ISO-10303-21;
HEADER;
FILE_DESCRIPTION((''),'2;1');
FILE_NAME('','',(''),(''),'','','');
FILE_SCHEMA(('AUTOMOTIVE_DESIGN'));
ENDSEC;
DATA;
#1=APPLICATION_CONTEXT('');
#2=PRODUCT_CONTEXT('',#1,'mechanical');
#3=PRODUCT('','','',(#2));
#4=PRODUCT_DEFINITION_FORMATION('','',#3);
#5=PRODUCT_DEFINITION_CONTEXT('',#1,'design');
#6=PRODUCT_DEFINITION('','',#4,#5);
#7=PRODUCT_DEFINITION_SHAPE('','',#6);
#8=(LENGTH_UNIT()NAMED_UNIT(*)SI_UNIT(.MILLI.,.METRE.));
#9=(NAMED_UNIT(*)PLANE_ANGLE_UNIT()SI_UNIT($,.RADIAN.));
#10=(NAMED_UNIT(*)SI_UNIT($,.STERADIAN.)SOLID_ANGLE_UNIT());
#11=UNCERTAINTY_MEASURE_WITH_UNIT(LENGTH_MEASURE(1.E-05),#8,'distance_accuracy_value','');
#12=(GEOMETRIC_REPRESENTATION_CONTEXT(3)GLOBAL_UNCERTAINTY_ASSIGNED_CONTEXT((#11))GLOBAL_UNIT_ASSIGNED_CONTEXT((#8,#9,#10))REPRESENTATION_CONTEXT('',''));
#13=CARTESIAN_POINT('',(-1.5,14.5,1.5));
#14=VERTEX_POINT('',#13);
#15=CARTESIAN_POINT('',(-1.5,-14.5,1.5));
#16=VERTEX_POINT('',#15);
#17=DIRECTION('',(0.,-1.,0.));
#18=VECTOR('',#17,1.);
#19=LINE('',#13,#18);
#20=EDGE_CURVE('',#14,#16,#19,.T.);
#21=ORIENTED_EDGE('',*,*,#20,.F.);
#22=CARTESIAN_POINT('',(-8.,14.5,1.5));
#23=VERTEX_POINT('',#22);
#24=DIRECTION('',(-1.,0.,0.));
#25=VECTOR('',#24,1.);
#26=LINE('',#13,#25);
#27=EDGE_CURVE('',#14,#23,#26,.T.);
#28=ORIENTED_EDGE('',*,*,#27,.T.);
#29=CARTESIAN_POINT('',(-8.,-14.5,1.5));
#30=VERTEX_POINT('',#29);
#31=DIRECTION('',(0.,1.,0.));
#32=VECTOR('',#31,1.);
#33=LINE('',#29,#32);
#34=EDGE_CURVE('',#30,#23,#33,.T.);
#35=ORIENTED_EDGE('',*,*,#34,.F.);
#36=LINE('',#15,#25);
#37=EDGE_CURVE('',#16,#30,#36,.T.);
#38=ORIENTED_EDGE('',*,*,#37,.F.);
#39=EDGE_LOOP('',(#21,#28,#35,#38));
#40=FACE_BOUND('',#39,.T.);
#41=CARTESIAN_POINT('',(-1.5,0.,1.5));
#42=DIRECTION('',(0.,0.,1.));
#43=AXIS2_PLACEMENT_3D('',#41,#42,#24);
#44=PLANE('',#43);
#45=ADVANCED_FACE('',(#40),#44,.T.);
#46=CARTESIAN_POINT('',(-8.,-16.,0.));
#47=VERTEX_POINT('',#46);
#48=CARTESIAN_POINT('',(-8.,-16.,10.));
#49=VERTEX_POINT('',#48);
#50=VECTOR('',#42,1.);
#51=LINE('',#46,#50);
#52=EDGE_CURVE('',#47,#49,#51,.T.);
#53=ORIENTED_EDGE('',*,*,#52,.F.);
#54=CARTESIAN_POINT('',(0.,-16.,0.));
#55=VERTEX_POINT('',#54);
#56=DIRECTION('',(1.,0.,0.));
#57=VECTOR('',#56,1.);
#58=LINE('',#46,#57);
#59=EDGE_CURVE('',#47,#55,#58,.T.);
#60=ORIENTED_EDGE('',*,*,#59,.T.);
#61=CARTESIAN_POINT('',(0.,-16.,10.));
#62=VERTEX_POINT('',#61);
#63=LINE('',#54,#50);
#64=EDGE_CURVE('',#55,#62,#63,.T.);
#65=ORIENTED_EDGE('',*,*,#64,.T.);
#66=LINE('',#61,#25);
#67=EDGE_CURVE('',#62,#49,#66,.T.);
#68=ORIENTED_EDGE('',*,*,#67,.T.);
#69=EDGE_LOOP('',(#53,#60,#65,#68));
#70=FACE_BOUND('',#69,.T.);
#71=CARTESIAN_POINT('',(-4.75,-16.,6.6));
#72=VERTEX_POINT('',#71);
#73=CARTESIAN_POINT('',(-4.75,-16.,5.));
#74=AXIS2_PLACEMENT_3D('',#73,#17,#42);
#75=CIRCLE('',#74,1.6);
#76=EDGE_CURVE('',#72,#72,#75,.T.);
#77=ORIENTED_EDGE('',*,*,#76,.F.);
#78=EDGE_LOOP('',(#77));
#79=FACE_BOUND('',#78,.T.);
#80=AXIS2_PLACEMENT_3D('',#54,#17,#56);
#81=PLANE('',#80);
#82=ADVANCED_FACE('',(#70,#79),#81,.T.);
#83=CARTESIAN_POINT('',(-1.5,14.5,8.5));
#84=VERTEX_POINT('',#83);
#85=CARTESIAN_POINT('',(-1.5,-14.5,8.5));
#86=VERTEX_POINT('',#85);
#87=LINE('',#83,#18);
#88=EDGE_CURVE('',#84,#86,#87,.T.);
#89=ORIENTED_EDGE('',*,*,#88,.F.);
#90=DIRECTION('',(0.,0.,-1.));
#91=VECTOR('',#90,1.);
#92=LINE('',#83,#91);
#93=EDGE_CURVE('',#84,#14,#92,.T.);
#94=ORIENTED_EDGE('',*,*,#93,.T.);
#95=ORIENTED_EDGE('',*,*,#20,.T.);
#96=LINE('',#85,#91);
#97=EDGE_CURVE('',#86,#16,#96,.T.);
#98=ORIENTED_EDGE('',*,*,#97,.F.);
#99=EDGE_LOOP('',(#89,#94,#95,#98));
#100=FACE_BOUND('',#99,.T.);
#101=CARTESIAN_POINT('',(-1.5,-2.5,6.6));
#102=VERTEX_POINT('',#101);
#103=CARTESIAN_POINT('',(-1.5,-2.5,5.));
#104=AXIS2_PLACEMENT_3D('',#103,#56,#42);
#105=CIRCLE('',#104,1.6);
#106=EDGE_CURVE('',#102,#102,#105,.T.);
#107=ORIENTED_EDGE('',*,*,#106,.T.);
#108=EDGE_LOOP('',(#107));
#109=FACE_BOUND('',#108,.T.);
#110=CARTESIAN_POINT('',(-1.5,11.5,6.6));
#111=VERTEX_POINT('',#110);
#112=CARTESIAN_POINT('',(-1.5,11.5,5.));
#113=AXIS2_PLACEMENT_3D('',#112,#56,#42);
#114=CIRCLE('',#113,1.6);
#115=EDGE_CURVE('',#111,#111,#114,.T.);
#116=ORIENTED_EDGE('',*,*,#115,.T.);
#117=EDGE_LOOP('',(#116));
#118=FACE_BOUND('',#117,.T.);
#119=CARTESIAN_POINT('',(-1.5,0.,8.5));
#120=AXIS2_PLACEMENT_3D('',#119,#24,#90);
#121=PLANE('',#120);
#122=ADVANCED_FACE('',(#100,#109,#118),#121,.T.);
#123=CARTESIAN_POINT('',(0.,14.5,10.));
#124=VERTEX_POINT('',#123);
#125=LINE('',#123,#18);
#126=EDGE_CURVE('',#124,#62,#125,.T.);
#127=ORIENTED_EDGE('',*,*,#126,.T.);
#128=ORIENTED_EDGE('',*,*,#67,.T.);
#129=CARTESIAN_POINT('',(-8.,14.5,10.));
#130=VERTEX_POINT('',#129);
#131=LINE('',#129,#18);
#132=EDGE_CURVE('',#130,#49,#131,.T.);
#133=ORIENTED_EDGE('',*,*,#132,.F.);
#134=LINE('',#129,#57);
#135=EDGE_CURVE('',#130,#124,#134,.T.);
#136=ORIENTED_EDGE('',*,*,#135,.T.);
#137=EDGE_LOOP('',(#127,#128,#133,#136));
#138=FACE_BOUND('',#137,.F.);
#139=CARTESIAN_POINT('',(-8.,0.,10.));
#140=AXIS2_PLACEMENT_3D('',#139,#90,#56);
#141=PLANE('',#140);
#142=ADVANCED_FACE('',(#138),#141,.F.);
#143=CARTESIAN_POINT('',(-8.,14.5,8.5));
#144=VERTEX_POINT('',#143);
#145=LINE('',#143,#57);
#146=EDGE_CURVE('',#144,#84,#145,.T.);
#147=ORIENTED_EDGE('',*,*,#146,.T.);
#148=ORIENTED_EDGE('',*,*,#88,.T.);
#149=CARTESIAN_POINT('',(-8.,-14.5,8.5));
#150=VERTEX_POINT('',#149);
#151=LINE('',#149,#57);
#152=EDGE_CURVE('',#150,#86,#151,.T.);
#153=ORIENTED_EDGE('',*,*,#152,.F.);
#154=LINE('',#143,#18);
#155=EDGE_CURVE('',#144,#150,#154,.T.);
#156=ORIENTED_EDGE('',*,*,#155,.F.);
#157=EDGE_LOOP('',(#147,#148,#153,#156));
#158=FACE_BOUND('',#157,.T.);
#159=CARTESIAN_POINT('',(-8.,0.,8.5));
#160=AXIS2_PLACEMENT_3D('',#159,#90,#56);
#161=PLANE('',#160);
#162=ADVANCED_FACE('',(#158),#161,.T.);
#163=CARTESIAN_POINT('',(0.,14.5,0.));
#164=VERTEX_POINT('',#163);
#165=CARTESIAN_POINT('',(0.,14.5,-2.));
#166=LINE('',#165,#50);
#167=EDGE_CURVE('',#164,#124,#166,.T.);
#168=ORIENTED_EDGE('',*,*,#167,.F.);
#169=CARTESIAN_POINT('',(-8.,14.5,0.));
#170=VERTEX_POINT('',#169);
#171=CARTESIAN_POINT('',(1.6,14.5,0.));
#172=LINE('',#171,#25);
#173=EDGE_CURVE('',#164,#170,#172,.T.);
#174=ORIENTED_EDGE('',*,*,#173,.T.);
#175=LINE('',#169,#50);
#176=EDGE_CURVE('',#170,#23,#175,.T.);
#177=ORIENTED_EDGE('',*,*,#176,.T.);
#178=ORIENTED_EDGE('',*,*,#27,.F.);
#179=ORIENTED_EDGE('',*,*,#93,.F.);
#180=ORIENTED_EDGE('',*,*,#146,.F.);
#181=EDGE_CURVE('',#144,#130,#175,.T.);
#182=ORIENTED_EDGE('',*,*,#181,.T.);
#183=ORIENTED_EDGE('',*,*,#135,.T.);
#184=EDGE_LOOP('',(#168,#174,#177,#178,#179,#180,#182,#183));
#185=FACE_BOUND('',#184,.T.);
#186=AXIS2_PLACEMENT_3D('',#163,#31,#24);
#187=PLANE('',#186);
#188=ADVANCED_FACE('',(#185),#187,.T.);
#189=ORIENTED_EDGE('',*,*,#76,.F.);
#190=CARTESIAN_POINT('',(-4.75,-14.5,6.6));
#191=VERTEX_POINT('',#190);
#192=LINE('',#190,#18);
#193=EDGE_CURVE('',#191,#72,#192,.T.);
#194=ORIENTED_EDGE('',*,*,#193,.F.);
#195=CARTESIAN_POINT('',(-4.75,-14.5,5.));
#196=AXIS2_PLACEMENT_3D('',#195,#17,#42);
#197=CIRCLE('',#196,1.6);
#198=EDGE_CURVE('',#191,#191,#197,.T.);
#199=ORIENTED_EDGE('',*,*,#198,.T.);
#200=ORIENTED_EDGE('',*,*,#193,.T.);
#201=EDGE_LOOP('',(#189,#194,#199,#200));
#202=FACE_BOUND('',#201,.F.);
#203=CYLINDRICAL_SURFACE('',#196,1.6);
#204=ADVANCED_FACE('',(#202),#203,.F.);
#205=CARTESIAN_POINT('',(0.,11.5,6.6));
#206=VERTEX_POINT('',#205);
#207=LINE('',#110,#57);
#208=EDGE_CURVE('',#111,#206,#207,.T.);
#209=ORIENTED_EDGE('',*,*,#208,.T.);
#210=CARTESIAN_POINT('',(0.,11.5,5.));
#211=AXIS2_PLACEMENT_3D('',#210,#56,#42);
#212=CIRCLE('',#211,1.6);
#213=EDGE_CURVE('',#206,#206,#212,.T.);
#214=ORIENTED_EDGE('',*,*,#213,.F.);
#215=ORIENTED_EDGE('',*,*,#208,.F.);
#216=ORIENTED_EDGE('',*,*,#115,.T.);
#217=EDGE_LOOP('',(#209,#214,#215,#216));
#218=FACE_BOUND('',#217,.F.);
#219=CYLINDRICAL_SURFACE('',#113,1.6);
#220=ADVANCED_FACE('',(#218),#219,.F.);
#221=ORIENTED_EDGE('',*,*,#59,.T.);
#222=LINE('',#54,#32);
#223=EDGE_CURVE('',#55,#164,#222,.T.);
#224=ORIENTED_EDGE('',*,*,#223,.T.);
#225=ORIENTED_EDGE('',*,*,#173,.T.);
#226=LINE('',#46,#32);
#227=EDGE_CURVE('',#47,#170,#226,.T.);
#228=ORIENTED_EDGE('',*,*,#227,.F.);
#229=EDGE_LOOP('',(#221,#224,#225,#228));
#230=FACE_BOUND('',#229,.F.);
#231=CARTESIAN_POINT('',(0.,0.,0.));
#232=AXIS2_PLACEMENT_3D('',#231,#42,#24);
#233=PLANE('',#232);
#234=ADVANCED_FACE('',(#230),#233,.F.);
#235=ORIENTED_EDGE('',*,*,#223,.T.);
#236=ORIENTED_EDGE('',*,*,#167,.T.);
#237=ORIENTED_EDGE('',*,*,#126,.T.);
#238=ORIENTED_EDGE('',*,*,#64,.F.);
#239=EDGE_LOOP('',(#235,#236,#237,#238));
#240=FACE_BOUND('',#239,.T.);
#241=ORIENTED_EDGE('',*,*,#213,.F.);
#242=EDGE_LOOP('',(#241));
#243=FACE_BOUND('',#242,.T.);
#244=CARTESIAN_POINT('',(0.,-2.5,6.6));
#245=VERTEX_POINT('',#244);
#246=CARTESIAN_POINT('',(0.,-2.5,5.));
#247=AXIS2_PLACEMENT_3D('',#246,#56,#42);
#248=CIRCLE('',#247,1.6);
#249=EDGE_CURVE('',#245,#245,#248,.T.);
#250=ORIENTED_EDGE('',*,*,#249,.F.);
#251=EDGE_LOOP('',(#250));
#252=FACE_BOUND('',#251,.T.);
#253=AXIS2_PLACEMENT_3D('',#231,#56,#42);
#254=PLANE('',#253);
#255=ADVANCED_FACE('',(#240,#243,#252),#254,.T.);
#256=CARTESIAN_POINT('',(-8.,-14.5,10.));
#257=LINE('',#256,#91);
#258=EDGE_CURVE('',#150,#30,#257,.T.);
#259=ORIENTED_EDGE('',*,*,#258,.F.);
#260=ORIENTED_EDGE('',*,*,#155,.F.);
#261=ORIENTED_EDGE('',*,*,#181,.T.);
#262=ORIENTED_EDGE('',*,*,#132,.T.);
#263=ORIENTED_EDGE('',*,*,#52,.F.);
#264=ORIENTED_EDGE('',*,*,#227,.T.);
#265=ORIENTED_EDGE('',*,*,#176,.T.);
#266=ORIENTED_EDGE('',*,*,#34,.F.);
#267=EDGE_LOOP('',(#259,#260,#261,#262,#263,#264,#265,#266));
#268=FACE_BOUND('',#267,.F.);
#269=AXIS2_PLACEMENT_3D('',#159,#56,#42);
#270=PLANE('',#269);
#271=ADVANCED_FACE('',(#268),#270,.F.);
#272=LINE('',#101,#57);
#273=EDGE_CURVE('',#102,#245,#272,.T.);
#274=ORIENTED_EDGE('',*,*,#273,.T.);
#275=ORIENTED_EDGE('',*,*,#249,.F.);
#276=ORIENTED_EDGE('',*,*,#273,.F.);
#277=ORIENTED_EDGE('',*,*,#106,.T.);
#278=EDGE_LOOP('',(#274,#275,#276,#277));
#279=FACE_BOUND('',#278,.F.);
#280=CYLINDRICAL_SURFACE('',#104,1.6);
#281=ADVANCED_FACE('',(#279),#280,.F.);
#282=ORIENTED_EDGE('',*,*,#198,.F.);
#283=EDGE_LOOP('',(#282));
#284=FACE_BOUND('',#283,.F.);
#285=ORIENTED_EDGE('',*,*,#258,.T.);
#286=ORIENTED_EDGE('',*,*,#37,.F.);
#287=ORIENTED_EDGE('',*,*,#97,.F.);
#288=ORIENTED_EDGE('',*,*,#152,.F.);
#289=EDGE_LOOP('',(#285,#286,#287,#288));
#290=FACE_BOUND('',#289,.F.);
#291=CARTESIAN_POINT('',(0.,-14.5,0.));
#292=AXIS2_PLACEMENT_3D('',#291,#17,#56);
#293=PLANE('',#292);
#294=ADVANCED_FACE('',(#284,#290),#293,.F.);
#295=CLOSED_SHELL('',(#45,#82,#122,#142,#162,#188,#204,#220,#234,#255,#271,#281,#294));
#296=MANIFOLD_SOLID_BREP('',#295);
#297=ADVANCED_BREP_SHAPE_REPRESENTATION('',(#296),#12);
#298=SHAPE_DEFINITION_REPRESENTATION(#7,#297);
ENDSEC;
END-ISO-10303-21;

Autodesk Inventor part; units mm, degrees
ref_plane "YZ Plane" through (0, 0, 0) normal (1, 0, 0) x (0, 1, 0)
ref_plane "XZ Plane" through (0, 0, 0) normal (0, 1, 0) x (-1, 0, 0)
ref_plane "XY Plane" through (0, 0, 0) normal (0, 0, 1) x (1, 0, 0)
sketch "Náčrt1" plane through (0, 0, 0) normal (0, 1, 0) x (-1, 0, 0)
  line L0 (0, -2) -> (0, 12) projected
  line L1 (-1.6, 0) -> (9.6, 0) projected
  line L2 (8, 10) -> (0, 10)
  line L3 (0, 10) -> (0, 0)
  line L4 (0, 0) -> (8, 0)
  line L5 (8, 0) -> (8, 10)
  line L6 (8, 8.5) -> (1.5, 8.5)
  line L7 (1.5, 8.5) -> (1.5, 1.5)
  line L8 (1.5, 1.5) -> (8, 1.5)
  line L9 (8, 1.5) -> (8, 8.5)
  point P0 (0, 0)
  point P1 (0, 10)
  dimension "d0" = 8
  dimension "d1" = 10
  dimension "d2" = 6.5
  dimension "d3" = 7
  dimension "d4" = 1.5
extrude "Vysunutí1" add sketch "Náčrt1" along normal mid plane 29 contours L0 L2 L5 L6 L7 L8 L1
sketch "Náčrt2" plane through (0, -14.5, 0) normal (0, -1, 0) x (1, 0, 0)
  line L0 (-8, 8.5) -> (-1.5, 8.5) projected
  line L1 (-1.5, 8.5) -> (-1.5, 1.5) projected
  line L2 (-1.5, 1.5) -> (-8, 1.5) projected
  line L3 (-8, 1.5) -> (-8, 0) projected
  line L4 (-8, 0) -> (0, 0) projected
  line L5 (0, 0) -> (0, 10) projected
  line L6 (0, 10) -> (-8, 10) projected
  line L7 (-8, 10) -> (-8, 8.5) projected
  line L8 (-8, 10) -> (0, 10)
  line L9 (0, 10) -> (0, 0)
  line L10 (0, 0) -> (-8, 0)
  line L11 (-8, 0) -> (-8, 10)
extrude "Vysunutí2" add sketch "Náčrt2" along normal blind 1.5
sketch "Náčrt3" plane through (0, -14.5, 0) normal (0, 1, 0) x (1, 0, 0)
  line L0 (-8, -8.5) -> (-1.5, -8.5) projected
  line L1 (-1.5, -8.5) -> (-1.5, -1.5) projected
  line L2 (-1.5, -1.5) -> (-8, -1.5) projected
  line L3 (-8, -8.5) -> (-8, -1.5) projected
  point P0 (0, 0)
  point P1 (-4.75, -5)
  dimension "d9" = 3.25
  dimension "d10" = 3.5
hole "Díra1" at (-4.75, -14.5, 5) direction (0, -1, 0) diameter 3.2 end through all
sketch "Náčrt4" plane through (-1.5, 14.5, 1.5) normal (-1, 0, 0) x (0, 0, 1)
  line L0 (0, 0) -> (7, 0) projected
  line L1 (7, 0) -> (7, -29) projected
  line L2 (0, 0) -> (7, 0) projected
  line L3 (0, -29) -> (0, 0) projected
  line L4 (7, -29) -> (0, -29) projected
  point P0 (-1.5, -14.5)
  point P1 (3.5, -3)
  point P2 (3.5, -17)
  point P3 (3.5, 0)
  dimension "d18" = 3
  dimension "d19" = 14
  dimension "d20" = 3.5
  dimension "d21" = 3.5
hole "Díra2" at (-1.5, 11.5, 5) at (-1.5, -2.5, 5) direction (1, 0, 0) diameter 3.2 end through all
properties part number "lift_tab_bracket" material "Hliník 6061"
